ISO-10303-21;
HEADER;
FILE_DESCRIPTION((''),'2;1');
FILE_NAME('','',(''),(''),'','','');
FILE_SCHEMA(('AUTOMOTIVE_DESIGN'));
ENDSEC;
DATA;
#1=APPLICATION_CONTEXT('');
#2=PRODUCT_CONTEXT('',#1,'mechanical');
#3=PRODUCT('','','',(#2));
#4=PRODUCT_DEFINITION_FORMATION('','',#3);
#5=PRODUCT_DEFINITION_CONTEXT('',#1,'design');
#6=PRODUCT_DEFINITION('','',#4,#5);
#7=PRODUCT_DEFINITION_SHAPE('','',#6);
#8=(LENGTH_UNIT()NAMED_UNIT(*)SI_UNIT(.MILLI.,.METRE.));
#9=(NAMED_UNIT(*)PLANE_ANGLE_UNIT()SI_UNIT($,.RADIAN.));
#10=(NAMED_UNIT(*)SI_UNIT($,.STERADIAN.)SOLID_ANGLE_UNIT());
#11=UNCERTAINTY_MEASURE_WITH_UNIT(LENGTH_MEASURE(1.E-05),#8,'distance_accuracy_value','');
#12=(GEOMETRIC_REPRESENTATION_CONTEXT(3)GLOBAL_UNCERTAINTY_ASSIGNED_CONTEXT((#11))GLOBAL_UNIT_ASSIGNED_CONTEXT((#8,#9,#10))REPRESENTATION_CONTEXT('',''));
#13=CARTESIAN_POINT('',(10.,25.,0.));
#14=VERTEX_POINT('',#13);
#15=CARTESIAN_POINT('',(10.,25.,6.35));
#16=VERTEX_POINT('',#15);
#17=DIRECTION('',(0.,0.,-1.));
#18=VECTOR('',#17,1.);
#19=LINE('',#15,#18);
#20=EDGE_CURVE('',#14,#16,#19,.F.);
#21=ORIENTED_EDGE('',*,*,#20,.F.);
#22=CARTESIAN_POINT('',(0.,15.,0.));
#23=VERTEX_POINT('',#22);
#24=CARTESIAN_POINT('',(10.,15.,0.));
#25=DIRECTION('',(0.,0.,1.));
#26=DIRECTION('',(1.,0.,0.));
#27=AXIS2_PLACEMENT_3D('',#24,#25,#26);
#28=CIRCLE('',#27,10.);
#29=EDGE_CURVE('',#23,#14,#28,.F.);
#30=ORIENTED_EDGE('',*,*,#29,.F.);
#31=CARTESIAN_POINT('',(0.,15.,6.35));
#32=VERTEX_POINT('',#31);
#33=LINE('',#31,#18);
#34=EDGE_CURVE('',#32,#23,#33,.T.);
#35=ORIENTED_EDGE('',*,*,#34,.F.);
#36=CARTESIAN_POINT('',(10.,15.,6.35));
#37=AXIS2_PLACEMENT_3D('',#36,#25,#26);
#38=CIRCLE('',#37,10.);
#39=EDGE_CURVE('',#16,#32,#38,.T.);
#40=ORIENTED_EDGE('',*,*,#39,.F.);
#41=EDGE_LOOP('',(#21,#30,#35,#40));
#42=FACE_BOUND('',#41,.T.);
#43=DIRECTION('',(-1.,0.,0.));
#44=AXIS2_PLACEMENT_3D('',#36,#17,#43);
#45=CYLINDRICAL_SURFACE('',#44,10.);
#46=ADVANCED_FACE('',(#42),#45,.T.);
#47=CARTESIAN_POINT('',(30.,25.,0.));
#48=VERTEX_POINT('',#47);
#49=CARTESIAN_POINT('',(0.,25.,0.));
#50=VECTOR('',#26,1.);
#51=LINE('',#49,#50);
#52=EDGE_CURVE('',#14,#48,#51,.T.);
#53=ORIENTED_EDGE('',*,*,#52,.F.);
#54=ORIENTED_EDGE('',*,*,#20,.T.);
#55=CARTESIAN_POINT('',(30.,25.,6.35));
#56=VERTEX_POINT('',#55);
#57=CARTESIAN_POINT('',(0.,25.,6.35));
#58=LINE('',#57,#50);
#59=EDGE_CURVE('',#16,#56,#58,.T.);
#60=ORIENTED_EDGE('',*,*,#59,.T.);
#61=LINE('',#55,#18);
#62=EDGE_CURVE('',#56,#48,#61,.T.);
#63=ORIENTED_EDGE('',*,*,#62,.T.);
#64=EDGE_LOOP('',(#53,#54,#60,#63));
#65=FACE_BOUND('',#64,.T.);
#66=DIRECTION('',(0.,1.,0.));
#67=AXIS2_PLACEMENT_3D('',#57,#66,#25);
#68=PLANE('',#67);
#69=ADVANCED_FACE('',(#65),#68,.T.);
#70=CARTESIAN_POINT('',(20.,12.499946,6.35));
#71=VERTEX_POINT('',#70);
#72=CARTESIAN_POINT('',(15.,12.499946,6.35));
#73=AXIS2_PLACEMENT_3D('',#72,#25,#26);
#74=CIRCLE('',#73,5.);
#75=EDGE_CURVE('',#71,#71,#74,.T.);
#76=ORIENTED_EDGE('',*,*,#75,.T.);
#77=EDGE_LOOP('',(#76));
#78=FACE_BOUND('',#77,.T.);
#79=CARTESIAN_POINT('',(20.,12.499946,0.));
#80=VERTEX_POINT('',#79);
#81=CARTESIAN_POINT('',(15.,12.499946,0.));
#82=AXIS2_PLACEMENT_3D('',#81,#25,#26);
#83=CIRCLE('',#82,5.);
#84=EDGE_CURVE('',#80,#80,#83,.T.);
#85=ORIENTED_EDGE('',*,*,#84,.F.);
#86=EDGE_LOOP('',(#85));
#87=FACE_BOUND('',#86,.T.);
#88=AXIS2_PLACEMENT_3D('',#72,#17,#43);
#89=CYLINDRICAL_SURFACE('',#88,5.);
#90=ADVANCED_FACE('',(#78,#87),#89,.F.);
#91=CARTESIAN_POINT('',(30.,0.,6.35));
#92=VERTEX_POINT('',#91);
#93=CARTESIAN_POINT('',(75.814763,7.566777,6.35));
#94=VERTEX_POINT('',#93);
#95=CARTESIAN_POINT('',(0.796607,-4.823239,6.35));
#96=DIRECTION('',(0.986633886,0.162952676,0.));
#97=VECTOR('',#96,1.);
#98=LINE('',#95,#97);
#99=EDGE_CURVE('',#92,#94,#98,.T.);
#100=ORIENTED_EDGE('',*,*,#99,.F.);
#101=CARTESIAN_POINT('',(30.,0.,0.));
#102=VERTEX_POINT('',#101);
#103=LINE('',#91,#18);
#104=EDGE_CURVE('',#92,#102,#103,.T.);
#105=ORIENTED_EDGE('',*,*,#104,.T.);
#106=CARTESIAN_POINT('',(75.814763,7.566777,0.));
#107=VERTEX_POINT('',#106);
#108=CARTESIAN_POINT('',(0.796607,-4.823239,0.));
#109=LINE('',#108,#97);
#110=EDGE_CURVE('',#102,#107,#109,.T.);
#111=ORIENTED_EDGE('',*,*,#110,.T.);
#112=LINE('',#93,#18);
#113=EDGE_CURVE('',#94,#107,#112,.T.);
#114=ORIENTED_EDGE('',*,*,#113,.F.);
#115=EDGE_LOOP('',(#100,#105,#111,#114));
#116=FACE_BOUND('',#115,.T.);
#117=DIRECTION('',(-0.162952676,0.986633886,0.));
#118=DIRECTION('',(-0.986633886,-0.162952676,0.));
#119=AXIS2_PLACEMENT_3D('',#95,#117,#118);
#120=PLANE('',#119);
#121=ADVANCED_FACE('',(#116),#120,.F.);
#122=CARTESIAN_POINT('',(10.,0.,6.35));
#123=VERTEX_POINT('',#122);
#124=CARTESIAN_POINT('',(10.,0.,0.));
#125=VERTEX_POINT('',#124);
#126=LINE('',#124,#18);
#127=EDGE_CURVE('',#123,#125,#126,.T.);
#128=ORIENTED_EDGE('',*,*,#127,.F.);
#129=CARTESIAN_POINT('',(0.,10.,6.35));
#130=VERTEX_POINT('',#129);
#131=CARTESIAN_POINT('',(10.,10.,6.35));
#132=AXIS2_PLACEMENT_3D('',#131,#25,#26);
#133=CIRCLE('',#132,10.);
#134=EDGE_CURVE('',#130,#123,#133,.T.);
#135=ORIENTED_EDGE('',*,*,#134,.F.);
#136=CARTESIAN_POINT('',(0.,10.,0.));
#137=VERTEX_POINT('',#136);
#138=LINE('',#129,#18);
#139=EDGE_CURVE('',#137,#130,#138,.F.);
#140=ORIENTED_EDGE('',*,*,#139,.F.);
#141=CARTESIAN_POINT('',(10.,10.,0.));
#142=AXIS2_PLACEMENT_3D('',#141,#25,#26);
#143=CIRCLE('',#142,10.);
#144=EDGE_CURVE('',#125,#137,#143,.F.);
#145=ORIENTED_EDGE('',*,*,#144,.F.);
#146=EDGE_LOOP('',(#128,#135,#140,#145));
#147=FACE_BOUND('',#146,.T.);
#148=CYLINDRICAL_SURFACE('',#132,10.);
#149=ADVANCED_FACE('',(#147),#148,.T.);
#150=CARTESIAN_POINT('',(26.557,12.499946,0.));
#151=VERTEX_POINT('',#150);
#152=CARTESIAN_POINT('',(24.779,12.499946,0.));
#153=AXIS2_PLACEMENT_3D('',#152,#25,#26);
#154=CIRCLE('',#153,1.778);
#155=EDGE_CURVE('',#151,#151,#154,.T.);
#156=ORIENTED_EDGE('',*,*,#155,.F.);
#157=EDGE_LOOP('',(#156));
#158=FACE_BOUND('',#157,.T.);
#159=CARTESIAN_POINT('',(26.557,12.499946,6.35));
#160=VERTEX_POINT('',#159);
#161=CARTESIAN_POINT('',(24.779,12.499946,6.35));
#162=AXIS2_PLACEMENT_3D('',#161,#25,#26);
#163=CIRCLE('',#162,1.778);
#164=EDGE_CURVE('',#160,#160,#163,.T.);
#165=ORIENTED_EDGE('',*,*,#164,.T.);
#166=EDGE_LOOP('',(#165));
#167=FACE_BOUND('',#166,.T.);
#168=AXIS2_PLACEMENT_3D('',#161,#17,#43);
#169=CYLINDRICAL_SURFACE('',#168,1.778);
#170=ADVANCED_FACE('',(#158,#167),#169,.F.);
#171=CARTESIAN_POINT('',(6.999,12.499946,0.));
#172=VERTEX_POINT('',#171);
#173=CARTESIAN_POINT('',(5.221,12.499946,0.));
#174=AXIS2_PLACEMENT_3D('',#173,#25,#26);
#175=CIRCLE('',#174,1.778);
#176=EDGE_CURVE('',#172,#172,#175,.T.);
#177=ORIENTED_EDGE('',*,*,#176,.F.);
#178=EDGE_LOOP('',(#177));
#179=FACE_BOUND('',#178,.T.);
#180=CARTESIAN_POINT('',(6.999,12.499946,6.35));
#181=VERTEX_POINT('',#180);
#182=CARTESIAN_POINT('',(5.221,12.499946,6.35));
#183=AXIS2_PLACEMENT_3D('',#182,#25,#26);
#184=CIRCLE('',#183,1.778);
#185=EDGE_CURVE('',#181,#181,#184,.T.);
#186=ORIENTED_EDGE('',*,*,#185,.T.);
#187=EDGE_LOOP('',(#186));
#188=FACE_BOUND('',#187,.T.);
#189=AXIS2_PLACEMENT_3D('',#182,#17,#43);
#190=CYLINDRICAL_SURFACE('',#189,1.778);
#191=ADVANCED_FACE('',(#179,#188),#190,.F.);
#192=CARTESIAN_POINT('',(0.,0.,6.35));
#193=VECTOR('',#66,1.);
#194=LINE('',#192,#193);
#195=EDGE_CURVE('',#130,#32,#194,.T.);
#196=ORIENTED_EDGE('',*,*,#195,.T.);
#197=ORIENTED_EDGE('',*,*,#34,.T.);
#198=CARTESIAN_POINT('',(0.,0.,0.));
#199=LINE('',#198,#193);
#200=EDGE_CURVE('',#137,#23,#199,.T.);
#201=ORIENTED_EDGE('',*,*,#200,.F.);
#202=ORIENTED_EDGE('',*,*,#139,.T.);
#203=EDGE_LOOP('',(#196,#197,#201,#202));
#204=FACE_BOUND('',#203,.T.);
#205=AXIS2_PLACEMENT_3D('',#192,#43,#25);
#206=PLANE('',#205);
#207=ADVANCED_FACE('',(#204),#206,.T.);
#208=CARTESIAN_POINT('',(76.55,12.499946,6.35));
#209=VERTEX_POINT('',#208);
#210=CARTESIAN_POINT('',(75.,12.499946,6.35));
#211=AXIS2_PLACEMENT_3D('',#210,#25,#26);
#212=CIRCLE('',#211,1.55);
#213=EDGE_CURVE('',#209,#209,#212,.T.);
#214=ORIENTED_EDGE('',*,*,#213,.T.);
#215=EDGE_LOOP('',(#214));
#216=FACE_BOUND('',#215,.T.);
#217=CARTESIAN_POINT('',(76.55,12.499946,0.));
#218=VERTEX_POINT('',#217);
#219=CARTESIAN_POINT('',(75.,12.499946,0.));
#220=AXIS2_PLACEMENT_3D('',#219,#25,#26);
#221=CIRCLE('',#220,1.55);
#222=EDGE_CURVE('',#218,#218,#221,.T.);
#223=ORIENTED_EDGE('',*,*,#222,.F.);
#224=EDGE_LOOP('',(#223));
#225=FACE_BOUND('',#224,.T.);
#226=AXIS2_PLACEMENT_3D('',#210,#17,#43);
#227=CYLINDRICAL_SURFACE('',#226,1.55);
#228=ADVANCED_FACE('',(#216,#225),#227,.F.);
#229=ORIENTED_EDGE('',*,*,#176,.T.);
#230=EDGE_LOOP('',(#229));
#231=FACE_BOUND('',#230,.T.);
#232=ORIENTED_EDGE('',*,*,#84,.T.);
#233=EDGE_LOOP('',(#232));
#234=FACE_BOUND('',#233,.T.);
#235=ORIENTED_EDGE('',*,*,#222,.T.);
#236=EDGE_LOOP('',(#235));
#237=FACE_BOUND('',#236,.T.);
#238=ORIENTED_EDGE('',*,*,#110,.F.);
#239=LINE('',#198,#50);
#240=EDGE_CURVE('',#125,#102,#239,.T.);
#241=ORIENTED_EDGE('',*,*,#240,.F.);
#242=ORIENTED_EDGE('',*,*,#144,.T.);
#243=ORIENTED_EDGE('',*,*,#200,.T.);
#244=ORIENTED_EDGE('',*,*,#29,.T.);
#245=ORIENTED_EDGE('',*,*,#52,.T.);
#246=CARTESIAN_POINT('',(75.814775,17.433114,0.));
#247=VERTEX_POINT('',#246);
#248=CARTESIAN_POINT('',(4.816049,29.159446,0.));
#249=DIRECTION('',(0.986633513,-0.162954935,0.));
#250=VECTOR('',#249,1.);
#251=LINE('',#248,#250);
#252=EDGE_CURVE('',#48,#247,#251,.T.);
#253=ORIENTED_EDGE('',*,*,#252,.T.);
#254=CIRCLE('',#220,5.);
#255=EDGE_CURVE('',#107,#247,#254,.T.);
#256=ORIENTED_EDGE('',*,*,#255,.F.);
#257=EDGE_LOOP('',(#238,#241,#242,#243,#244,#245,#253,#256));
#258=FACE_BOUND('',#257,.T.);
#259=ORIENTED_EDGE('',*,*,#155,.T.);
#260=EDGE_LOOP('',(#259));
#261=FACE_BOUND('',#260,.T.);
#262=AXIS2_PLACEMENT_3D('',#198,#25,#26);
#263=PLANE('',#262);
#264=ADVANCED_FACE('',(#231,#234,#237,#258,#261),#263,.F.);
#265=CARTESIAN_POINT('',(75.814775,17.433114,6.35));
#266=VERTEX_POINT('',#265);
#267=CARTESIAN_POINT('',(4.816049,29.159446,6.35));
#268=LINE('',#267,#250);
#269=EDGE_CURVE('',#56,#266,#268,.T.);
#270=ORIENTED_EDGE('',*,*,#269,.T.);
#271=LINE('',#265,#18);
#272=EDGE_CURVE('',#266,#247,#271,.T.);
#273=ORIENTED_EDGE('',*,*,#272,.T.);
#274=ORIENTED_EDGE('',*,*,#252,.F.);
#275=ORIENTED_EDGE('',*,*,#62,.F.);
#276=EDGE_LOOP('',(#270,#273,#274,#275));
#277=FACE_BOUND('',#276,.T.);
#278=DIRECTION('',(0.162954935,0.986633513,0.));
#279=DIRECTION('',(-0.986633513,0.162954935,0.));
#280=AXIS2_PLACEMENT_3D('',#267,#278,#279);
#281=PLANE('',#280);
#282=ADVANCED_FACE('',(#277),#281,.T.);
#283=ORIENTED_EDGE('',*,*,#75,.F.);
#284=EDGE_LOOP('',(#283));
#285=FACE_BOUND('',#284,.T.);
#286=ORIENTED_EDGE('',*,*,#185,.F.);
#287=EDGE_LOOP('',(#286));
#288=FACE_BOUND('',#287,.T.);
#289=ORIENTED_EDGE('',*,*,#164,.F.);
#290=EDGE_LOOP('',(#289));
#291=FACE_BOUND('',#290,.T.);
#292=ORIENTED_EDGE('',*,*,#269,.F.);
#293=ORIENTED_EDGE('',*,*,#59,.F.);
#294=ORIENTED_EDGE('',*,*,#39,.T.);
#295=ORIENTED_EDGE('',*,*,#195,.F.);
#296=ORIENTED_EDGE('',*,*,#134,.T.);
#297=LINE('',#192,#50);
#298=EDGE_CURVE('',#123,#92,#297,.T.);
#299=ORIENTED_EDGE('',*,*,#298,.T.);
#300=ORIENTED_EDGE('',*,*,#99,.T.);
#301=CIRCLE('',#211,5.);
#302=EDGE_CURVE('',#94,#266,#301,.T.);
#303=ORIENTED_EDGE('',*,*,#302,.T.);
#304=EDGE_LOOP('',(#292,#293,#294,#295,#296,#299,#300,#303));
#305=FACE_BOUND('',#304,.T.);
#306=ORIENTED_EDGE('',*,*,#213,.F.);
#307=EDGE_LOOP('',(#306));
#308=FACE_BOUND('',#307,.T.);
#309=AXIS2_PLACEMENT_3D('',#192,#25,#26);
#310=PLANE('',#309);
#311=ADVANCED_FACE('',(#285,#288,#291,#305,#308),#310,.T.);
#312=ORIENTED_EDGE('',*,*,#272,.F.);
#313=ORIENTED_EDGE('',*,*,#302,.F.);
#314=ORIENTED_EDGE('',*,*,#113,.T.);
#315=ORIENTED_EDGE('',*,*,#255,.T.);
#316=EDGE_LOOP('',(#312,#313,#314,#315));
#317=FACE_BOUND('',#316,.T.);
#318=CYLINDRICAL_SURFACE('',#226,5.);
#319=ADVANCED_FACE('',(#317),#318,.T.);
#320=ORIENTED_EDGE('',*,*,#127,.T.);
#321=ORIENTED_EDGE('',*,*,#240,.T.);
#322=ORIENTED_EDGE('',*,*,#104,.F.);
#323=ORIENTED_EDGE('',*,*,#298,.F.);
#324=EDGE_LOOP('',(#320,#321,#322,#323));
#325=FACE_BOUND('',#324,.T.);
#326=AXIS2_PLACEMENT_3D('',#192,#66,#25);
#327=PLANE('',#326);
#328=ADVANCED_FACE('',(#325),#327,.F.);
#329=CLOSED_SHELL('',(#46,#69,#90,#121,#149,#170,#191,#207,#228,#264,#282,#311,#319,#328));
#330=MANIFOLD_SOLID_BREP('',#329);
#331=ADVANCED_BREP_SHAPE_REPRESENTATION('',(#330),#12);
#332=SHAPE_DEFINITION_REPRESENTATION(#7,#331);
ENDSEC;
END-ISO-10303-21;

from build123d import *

# Parameters (mm, degrees)
SKETCH1_R           = 1.778
SKETCH1_R_2         = 1.55
SKETCH1_R_3         = 5
BOSS_EXTRUDE1_DEPTH = 6.35
FILLET1_R           = 10


with BuildPart() as part:
    # Sketch1 → Boss-Extrude1 (new body)
    with BuildSketch(Plane.XY):
        with BuildLine():
            Line((75.814774676, 17.433113678), (30, 25))
            Line((30, 25), (0, 25))
            Line((0, 25), (0, 0))
            Line((0, 0), (30, 0))
            Line((30, 0), (75.814763379, 7.566776682))
            ThreePointArc((75.814763379, 7.566776682), (80, 12.499940388), (75.814774676, 17.433113678))
        make_face()
        with Locations((24.779, 12.499946113)):
            Circle(SKETCH1_R, mode=Mode.SUBTRACT)
        with Locations((5.221, 12.499946113)):
            Circle(SKETCH1_R, mode=Mode.SUBTRACT)
        with Locations((75, 12.499946113)):
            Circle(SKETCH1_R_2, mode=Mode.SUBTRACT)
        with Locations((15, 12.499946113)):
            Circle(SKETCH1_R_3, mode=Mode.SUBTRACT)
    extrude(amount=BOSS_EXTRUDE1_DEPTH)

    # Fillet1
    fillet1_edges = [part.edges().sort_by_distance(p)[0] for p in [
        (0, 0, 3.175),
        (0, 25, 3.175),
    ]]
    fillet(fillet1_edges, radius=FILLET1_R)


solid = part.part
